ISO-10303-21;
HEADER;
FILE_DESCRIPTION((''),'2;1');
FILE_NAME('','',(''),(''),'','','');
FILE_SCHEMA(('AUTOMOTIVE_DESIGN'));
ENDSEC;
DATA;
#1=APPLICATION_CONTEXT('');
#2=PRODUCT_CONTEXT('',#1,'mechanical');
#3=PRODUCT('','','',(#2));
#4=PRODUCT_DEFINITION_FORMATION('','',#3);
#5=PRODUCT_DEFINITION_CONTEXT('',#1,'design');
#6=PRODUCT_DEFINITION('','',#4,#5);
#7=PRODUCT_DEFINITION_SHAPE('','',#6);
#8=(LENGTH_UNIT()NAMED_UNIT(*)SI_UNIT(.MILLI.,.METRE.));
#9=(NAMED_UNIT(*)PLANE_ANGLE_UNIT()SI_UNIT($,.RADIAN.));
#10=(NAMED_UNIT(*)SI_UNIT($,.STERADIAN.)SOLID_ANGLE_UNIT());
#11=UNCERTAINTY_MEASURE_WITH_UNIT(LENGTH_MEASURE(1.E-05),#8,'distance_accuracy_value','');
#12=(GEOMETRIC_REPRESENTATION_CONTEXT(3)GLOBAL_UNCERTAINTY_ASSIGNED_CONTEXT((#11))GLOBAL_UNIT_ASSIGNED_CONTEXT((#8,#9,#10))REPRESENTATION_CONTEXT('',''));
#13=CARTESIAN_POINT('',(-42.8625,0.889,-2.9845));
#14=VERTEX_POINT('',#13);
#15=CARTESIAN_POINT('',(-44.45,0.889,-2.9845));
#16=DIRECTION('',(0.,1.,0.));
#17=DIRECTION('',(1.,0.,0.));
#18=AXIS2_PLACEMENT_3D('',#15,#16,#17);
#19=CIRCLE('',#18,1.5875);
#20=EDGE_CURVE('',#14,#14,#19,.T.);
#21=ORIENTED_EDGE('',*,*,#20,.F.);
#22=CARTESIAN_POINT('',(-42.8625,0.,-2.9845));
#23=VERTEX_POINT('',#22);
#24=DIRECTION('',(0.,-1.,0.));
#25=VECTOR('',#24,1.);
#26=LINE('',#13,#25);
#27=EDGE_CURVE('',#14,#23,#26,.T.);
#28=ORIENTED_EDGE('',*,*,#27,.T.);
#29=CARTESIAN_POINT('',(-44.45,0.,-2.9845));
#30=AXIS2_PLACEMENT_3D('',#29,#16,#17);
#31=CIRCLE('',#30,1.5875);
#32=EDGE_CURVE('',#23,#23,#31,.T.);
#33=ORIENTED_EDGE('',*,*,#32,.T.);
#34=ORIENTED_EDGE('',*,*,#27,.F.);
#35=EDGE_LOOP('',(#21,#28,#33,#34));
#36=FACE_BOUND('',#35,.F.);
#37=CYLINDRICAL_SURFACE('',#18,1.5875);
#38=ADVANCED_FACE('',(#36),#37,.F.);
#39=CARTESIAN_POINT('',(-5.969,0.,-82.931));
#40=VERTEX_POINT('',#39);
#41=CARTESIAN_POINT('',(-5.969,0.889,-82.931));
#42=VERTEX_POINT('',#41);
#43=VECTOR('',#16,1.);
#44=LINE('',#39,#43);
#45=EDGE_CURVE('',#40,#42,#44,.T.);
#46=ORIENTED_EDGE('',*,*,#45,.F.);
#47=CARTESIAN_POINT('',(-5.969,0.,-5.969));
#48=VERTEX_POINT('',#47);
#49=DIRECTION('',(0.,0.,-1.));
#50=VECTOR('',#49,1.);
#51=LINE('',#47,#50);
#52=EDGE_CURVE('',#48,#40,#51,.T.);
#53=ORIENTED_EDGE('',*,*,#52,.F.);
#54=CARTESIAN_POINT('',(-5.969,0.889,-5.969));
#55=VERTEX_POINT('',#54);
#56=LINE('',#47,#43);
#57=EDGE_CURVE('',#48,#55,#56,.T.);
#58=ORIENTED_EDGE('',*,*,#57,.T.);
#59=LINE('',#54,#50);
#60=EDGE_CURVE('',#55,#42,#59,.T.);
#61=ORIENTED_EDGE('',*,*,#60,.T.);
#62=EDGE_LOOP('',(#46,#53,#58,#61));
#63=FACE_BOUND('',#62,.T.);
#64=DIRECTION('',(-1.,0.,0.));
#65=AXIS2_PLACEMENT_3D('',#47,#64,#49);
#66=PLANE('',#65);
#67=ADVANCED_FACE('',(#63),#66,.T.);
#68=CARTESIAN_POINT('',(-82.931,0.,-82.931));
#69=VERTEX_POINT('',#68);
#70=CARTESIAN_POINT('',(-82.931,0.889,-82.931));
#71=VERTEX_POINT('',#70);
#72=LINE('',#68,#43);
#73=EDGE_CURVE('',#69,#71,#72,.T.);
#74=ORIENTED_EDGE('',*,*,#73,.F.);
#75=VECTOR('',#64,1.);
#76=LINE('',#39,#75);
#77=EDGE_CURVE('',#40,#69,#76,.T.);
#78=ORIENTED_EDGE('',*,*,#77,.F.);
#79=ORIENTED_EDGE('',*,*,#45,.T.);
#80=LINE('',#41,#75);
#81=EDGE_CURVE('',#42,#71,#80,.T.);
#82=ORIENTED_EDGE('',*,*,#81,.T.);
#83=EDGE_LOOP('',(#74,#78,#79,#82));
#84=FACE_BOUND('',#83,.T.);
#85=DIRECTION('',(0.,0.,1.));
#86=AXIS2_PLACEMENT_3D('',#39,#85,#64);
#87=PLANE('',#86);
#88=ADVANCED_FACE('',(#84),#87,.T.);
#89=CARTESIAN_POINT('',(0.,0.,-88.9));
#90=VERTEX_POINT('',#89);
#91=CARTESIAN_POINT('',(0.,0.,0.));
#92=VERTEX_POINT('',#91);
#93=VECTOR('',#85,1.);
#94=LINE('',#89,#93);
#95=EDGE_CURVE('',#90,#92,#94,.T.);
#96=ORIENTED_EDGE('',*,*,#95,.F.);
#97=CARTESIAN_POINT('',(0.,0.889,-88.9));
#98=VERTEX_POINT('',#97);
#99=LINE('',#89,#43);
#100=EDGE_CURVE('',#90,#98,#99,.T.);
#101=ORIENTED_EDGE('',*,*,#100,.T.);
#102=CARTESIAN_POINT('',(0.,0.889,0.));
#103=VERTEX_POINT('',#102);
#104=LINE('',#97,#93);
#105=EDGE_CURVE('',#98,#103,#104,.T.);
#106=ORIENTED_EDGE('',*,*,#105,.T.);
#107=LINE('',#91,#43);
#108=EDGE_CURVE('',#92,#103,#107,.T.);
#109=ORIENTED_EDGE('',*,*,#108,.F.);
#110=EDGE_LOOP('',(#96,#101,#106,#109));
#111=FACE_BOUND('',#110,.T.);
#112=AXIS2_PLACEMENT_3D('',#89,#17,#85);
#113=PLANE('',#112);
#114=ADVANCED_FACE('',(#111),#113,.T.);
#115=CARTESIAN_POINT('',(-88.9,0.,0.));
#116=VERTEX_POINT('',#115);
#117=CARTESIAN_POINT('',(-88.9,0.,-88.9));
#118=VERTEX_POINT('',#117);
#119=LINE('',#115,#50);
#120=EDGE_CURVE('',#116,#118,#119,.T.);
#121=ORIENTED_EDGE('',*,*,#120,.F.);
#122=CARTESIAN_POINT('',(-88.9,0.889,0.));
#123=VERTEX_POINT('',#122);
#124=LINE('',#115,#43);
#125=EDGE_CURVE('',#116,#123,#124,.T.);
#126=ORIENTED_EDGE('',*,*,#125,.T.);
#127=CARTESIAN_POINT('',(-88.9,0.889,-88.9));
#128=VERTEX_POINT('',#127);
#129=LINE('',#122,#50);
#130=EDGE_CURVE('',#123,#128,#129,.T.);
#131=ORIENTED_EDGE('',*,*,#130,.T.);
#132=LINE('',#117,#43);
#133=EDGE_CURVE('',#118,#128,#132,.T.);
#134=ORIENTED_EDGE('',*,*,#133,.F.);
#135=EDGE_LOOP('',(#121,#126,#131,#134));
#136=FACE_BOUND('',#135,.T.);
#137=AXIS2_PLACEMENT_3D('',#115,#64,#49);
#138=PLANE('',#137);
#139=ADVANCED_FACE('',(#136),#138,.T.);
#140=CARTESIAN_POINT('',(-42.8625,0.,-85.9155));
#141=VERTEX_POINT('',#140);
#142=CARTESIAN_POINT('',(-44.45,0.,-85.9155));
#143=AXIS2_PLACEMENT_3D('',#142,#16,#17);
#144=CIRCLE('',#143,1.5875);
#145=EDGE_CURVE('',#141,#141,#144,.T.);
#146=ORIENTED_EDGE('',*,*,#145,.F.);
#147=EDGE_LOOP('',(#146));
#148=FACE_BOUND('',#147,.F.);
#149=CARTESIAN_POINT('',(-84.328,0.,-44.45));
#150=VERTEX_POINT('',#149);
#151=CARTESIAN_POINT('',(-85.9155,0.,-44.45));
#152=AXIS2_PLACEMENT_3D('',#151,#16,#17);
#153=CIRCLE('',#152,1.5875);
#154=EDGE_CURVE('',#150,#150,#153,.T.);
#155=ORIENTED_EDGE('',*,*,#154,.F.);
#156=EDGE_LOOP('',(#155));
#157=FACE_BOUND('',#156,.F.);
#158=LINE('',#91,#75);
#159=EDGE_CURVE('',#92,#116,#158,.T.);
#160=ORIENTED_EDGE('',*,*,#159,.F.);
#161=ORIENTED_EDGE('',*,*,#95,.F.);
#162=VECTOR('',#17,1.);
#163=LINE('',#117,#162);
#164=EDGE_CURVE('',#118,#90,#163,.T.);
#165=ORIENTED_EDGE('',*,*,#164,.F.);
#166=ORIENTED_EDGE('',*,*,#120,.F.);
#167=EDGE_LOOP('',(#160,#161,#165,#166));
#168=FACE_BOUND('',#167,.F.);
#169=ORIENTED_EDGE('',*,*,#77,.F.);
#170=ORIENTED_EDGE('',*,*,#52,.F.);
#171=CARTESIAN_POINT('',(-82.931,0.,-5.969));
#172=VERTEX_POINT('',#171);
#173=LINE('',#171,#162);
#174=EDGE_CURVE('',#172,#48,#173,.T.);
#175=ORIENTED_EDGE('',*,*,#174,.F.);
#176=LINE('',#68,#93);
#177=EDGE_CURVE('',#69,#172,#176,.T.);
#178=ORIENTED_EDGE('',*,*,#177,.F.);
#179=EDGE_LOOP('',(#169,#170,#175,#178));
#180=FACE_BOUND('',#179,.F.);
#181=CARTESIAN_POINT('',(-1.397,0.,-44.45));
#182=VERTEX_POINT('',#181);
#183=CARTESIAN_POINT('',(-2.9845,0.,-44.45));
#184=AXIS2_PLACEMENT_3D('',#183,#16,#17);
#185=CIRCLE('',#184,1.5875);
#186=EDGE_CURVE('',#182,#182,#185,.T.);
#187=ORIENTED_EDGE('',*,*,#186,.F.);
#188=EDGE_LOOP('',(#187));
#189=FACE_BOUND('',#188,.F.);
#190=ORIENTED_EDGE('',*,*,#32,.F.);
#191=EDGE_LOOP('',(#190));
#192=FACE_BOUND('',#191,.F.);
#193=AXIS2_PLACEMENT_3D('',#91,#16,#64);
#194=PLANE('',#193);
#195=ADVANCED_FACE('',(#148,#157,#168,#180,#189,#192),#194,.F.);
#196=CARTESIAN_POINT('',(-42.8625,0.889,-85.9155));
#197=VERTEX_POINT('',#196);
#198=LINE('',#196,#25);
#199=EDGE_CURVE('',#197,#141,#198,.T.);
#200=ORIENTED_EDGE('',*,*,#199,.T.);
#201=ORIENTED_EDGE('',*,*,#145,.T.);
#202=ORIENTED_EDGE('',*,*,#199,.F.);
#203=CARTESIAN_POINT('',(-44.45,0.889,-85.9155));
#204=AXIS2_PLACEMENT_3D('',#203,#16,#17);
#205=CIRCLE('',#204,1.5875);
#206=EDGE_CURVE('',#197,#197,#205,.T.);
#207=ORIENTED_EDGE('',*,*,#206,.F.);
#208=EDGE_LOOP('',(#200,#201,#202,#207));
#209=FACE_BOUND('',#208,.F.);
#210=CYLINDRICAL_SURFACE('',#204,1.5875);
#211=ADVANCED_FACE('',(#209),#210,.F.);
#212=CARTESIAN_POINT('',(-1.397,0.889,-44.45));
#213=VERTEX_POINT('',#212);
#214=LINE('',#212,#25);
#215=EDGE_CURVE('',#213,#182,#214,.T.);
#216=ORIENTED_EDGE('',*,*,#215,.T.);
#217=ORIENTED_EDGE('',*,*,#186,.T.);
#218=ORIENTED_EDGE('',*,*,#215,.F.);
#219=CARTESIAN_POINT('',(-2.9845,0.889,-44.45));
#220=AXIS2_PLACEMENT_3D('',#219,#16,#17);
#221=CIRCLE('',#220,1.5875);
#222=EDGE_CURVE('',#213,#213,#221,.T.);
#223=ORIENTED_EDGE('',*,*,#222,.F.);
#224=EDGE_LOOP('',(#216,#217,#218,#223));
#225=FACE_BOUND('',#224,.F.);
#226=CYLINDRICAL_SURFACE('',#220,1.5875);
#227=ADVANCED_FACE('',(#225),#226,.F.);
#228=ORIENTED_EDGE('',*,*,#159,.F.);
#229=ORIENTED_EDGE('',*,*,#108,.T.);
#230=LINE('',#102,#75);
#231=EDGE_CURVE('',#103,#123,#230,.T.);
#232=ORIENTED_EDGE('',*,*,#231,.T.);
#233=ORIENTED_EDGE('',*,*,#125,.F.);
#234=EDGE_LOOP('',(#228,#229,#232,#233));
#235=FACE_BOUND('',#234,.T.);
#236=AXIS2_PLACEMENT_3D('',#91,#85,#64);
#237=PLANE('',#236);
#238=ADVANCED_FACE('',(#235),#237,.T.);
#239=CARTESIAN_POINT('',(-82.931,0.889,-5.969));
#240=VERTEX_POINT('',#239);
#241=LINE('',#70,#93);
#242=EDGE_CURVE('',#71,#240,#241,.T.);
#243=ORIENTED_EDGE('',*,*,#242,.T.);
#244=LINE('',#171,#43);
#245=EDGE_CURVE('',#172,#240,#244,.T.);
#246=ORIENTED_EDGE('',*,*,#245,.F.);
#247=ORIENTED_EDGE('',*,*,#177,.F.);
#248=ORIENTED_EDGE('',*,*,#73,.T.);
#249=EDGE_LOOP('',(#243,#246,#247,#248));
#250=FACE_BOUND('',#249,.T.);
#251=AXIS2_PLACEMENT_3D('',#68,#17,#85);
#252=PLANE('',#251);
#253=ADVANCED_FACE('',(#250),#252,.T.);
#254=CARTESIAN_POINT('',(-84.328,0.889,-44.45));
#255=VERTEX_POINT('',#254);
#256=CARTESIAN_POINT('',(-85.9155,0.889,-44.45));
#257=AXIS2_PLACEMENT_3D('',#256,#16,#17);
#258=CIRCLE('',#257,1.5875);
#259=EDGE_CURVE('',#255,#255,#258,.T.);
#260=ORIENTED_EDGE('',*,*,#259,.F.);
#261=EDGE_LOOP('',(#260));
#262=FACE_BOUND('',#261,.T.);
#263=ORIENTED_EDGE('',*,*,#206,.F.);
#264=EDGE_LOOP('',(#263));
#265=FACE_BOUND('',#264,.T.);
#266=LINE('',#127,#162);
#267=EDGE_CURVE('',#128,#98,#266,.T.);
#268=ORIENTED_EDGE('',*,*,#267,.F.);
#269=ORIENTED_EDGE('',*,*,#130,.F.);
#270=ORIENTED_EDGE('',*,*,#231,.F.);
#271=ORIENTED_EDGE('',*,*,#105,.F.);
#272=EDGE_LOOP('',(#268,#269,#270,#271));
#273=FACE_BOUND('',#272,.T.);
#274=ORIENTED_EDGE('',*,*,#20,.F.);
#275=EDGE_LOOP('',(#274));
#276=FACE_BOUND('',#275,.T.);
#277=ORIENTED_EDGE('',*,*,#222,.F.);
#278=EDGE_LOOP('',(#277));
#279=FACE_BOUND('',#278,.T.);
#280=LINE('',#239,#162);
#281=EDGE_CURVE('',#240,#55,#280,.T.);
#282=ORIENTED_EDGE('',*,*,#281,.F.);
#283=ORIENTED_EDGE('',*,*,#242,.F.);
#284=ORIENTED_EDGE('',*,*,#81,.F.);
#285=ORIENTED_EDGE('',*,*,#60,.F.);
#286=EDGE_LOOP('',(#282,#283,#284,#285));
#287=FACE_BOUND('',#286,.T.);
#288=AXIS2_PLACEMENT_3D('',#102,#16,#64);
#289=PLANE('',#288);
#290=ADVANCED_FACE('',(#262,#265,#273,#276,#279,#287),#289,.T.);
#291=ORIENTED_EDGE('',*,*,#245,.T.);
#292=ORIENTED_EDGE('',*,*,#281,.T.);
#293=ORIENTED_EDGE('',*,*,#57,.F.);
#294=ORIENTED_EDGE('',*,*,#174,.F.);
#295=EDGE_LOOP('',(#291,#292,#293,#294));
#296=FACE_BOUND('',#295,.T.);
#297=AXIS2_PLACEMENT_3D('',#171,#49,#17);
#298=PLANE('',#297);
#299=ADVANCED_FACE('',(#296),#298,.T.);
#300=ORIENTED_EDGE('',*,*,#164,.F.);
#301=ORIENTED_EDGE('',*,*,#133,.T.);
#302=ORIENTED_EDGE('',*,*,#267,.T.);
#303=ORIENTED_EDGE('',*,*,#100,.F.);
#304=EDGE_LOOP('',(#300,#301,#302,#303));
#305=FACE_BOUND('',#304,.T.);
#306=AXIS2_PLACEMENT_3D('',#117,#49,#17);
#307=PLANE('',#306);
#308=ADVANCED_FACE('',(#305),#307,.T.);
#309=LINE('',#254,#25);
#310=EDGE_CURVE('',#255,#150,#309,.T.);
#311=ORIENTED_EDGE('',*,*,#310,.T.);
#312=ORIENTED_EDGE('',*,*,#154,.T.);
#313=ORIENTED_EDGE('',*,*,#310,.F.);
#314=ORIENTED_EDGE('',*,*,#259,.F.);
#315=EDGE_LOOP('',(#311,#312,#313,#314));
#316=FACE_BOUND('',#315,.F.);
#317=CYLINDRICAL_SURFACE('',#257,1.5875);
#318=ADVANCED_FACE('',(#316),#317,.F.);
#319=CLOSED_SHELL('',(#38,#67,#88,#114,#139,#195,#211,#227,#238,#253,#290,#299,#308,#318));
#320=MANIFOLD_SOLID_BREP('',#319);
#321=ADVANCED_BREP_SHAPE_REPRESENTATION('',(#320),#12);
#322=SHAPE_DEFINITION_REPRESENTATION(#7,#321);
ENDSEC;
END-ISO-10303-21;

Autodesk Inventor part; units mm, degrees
ref_plane "YZ Plane" through (0, 0, 0) normal (1, 0, 0) x (0, 1, 0)
ref_plane "XZ Plane" through (0, 0, 0) normal (0, 1, 0) x (-1, 0, 0)
ref_plane "XY Plane" through (0, 0, 0) normal (0, 0, 1) x (1, 0, 0)
sketch "Sketch1" plane through (0, 0, 0) normal (0, 1, 0) x (-1, 0, 0)
  line L0 (0, 0) -> (88.9, 0)
  line L1 (88.9, 0) -> (88.9, -88.9)
  line L2 (88.9, -88.9) -> (0, -88.9)
  line L3 (0, -88.9) -> (0, 0)
  line L4 (82.931, -5.969) -> (5.969, -5.969)
  line L5 (5.969, -5.969) -> (5.969, -82.931)
  line L6 (5.969, -82.931) -> (82.931, -82.931)
  line L7 (82.931, -82.931) -> (82.931, -5.969)
  point P0 (44.45, -5.969)
  dimension "d0" = 88.9
  dimension "d1" = 88.9
  dimension "d2" = 5.969
  dimension "d3" = 5.969
  dimension "d4" = 5.969
  dimension "d5" = 5.969
extrude "Extrusion1" add sketch "Sketch1" along normal blind 0.889
sketch "Sketch2" plane through (0, 0.889, 0) normal (0, 1, 0) x (1, 0, 0)
  circle A0 centre (-85.9155, 44.45) radius 1.5875
  line L0 (-88.9, 88.9) -> (-88.9, 0) projected
  line L1 (0, 88.9) -> (-88.9, 88.9) projected
  circle A1 centre (-2.9845, 44.45) radius 1.5875
  line L2 (-5.969, 82.931) -> (-5.969, 5.969) projected
  circle A2 centre (-44.45, 2.9845) radius 1.5875
  line L3 (-5.969, 5.969) -> (-82.931, 5.969) projected
  circle A3 centre (-44.45, 85.9155) radius 1.5875
  line L4 (-82.931, 82.931) -> (-5.969, 82.931) projected
  point P0 (0, 0)
  dimension "d8" = 3.175
  dimension "d9" = 2.9845
  dimension "d10" = 44.45
  dimension "d11" = 3.175
  dimension "d12" = 2.9845
  dimension "d13" = 3.175
  dimension "d14" = 2.9845
  dimension "d15" = 3.175
  dimension "d16" = 2.9845
extrude "Extrusion2" cut sketch "Sketch2" against normal through all
properties part number "top plate"
